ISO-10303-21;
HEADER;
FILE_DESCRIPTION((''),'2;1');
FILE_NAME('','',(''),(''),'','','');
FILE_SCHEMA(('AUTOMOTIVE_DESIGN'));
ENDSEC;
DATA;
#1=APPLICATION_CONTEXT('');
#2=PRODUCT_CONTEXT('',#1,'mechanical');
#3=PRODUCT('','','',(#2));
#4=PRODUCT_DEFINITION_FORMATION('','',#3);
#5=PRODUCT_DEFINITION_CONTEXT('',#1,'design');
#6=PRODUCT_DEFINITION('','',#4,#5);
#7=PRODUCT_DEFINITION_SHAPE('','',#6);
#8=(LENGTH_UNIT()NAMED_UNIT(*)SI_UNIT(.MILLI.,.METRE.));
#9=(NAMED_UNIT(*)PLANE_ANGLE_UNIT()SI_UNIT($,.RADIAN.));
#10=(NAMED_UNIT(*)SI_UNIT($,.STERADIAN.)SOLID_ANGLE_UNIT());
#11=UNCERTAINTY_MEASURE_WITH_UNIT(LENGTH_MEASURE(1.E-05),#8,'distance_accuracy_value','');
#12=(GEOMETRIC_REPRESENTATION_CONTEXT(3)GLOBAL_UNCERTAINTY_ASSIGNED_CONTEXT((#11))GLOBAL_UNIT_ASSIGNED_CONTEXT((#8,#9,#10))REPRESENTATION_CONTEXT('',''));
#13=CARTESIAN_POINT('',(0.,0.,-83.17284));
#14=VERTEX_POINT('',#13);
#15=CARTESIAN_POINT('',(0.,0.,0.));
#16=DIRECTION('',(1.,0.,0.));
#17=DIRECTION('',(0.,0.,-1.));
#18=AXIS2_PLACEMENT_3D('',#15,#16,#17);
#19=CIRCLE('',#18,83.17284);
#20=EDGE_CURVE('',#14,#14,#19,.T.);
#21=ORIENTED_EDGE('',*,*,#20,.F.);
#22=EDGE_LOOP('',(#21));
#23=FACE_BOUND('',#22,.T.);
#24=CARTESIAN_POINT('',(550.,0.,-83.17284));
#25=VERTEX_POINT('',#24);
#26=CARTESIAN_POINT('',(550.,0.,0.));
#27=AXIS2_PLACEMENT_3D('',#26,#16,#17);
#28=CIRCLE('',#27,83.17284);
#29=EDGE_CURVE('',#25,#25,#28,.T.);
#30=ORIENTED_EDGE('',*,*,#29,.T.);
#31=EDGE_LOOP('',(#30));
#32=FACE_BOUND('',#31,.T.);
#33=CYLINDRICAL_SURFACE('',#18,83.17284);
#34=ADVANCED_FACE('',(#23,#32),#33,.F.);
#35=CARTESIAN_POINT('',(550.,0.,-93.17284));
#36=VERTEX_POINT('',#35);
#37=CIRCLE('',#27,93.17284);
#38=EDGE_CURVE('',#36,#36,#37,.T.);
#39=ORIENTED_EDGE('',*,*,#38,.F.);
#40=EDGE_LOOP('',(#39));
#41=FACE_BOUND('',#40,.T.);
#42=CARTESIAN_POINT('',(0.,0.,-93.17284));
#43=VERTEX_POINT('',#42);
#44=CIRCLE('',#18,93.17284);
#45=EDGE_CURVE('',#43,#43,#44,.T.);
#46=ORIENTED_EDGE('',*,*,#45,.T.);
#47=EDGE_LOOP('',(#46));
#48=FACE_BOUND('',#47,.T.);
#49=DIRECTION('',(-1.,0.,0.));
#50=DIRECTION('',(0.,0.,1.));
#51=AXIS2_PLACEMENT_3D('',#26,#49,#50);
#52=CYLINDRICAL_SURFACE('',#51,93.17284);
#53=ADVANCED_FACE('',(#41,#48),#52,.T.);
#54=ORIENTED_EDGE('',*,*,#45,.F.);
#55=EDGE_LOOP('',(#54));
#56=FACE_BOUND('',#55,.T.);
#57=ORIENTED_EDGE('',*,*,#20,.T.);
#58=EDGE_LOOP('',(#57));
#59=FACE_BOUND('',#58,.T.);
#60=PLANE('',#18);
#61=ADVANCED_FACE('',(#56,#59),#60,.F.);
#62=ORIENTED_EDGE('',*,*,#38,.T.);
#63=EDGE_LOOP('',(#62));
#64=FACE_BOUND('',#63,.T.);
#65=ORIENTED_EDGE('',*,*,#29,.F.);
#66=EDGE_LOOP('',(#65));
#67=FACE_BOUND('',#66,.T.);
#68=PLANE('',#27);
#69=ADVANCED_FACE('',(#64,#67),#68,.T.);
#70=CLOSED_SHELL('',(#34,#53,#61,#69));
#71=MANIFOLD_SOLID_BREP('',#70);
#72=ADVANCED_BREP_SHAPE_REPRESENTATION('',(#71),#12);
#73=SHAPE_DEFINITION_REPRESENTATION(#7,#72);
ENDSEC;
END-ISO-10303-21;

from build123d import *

# Parameters (mm, degrees)
SKETCH2_R           = 93.17284
BOSS_EXTRUDE1_DEPTH = 550
SKETCH3_R           = 83.17284
CUT_EXTRUDE1_DEPTH  = 551


with BuildPart() as part:
    # Sketch2 → Boss-Extrude1 (new body)
    with BuildSketch(Plane(origin=(0, 0, 0), x_dir=(0, 0, -1), z_dir=(1, 0, 0))):
        Circle(SKETCH2_R)
    extrude(amount=BOSS_EXTRUDE1_DEPTH)

    # Sketch3 → Cut-Extrude1 (cut, through all)
    with BuildSketch(Plane(origin=(550, 0, 0), x_dir=(0, 0, -1), z_dir=(1, 0, 0))):
        Circle(SKETCH3_R)
    extrude(amount=-CUT_EXTRUDE1_DEPTH, mode=Mode.SUBTRACT)


solid = part.part
